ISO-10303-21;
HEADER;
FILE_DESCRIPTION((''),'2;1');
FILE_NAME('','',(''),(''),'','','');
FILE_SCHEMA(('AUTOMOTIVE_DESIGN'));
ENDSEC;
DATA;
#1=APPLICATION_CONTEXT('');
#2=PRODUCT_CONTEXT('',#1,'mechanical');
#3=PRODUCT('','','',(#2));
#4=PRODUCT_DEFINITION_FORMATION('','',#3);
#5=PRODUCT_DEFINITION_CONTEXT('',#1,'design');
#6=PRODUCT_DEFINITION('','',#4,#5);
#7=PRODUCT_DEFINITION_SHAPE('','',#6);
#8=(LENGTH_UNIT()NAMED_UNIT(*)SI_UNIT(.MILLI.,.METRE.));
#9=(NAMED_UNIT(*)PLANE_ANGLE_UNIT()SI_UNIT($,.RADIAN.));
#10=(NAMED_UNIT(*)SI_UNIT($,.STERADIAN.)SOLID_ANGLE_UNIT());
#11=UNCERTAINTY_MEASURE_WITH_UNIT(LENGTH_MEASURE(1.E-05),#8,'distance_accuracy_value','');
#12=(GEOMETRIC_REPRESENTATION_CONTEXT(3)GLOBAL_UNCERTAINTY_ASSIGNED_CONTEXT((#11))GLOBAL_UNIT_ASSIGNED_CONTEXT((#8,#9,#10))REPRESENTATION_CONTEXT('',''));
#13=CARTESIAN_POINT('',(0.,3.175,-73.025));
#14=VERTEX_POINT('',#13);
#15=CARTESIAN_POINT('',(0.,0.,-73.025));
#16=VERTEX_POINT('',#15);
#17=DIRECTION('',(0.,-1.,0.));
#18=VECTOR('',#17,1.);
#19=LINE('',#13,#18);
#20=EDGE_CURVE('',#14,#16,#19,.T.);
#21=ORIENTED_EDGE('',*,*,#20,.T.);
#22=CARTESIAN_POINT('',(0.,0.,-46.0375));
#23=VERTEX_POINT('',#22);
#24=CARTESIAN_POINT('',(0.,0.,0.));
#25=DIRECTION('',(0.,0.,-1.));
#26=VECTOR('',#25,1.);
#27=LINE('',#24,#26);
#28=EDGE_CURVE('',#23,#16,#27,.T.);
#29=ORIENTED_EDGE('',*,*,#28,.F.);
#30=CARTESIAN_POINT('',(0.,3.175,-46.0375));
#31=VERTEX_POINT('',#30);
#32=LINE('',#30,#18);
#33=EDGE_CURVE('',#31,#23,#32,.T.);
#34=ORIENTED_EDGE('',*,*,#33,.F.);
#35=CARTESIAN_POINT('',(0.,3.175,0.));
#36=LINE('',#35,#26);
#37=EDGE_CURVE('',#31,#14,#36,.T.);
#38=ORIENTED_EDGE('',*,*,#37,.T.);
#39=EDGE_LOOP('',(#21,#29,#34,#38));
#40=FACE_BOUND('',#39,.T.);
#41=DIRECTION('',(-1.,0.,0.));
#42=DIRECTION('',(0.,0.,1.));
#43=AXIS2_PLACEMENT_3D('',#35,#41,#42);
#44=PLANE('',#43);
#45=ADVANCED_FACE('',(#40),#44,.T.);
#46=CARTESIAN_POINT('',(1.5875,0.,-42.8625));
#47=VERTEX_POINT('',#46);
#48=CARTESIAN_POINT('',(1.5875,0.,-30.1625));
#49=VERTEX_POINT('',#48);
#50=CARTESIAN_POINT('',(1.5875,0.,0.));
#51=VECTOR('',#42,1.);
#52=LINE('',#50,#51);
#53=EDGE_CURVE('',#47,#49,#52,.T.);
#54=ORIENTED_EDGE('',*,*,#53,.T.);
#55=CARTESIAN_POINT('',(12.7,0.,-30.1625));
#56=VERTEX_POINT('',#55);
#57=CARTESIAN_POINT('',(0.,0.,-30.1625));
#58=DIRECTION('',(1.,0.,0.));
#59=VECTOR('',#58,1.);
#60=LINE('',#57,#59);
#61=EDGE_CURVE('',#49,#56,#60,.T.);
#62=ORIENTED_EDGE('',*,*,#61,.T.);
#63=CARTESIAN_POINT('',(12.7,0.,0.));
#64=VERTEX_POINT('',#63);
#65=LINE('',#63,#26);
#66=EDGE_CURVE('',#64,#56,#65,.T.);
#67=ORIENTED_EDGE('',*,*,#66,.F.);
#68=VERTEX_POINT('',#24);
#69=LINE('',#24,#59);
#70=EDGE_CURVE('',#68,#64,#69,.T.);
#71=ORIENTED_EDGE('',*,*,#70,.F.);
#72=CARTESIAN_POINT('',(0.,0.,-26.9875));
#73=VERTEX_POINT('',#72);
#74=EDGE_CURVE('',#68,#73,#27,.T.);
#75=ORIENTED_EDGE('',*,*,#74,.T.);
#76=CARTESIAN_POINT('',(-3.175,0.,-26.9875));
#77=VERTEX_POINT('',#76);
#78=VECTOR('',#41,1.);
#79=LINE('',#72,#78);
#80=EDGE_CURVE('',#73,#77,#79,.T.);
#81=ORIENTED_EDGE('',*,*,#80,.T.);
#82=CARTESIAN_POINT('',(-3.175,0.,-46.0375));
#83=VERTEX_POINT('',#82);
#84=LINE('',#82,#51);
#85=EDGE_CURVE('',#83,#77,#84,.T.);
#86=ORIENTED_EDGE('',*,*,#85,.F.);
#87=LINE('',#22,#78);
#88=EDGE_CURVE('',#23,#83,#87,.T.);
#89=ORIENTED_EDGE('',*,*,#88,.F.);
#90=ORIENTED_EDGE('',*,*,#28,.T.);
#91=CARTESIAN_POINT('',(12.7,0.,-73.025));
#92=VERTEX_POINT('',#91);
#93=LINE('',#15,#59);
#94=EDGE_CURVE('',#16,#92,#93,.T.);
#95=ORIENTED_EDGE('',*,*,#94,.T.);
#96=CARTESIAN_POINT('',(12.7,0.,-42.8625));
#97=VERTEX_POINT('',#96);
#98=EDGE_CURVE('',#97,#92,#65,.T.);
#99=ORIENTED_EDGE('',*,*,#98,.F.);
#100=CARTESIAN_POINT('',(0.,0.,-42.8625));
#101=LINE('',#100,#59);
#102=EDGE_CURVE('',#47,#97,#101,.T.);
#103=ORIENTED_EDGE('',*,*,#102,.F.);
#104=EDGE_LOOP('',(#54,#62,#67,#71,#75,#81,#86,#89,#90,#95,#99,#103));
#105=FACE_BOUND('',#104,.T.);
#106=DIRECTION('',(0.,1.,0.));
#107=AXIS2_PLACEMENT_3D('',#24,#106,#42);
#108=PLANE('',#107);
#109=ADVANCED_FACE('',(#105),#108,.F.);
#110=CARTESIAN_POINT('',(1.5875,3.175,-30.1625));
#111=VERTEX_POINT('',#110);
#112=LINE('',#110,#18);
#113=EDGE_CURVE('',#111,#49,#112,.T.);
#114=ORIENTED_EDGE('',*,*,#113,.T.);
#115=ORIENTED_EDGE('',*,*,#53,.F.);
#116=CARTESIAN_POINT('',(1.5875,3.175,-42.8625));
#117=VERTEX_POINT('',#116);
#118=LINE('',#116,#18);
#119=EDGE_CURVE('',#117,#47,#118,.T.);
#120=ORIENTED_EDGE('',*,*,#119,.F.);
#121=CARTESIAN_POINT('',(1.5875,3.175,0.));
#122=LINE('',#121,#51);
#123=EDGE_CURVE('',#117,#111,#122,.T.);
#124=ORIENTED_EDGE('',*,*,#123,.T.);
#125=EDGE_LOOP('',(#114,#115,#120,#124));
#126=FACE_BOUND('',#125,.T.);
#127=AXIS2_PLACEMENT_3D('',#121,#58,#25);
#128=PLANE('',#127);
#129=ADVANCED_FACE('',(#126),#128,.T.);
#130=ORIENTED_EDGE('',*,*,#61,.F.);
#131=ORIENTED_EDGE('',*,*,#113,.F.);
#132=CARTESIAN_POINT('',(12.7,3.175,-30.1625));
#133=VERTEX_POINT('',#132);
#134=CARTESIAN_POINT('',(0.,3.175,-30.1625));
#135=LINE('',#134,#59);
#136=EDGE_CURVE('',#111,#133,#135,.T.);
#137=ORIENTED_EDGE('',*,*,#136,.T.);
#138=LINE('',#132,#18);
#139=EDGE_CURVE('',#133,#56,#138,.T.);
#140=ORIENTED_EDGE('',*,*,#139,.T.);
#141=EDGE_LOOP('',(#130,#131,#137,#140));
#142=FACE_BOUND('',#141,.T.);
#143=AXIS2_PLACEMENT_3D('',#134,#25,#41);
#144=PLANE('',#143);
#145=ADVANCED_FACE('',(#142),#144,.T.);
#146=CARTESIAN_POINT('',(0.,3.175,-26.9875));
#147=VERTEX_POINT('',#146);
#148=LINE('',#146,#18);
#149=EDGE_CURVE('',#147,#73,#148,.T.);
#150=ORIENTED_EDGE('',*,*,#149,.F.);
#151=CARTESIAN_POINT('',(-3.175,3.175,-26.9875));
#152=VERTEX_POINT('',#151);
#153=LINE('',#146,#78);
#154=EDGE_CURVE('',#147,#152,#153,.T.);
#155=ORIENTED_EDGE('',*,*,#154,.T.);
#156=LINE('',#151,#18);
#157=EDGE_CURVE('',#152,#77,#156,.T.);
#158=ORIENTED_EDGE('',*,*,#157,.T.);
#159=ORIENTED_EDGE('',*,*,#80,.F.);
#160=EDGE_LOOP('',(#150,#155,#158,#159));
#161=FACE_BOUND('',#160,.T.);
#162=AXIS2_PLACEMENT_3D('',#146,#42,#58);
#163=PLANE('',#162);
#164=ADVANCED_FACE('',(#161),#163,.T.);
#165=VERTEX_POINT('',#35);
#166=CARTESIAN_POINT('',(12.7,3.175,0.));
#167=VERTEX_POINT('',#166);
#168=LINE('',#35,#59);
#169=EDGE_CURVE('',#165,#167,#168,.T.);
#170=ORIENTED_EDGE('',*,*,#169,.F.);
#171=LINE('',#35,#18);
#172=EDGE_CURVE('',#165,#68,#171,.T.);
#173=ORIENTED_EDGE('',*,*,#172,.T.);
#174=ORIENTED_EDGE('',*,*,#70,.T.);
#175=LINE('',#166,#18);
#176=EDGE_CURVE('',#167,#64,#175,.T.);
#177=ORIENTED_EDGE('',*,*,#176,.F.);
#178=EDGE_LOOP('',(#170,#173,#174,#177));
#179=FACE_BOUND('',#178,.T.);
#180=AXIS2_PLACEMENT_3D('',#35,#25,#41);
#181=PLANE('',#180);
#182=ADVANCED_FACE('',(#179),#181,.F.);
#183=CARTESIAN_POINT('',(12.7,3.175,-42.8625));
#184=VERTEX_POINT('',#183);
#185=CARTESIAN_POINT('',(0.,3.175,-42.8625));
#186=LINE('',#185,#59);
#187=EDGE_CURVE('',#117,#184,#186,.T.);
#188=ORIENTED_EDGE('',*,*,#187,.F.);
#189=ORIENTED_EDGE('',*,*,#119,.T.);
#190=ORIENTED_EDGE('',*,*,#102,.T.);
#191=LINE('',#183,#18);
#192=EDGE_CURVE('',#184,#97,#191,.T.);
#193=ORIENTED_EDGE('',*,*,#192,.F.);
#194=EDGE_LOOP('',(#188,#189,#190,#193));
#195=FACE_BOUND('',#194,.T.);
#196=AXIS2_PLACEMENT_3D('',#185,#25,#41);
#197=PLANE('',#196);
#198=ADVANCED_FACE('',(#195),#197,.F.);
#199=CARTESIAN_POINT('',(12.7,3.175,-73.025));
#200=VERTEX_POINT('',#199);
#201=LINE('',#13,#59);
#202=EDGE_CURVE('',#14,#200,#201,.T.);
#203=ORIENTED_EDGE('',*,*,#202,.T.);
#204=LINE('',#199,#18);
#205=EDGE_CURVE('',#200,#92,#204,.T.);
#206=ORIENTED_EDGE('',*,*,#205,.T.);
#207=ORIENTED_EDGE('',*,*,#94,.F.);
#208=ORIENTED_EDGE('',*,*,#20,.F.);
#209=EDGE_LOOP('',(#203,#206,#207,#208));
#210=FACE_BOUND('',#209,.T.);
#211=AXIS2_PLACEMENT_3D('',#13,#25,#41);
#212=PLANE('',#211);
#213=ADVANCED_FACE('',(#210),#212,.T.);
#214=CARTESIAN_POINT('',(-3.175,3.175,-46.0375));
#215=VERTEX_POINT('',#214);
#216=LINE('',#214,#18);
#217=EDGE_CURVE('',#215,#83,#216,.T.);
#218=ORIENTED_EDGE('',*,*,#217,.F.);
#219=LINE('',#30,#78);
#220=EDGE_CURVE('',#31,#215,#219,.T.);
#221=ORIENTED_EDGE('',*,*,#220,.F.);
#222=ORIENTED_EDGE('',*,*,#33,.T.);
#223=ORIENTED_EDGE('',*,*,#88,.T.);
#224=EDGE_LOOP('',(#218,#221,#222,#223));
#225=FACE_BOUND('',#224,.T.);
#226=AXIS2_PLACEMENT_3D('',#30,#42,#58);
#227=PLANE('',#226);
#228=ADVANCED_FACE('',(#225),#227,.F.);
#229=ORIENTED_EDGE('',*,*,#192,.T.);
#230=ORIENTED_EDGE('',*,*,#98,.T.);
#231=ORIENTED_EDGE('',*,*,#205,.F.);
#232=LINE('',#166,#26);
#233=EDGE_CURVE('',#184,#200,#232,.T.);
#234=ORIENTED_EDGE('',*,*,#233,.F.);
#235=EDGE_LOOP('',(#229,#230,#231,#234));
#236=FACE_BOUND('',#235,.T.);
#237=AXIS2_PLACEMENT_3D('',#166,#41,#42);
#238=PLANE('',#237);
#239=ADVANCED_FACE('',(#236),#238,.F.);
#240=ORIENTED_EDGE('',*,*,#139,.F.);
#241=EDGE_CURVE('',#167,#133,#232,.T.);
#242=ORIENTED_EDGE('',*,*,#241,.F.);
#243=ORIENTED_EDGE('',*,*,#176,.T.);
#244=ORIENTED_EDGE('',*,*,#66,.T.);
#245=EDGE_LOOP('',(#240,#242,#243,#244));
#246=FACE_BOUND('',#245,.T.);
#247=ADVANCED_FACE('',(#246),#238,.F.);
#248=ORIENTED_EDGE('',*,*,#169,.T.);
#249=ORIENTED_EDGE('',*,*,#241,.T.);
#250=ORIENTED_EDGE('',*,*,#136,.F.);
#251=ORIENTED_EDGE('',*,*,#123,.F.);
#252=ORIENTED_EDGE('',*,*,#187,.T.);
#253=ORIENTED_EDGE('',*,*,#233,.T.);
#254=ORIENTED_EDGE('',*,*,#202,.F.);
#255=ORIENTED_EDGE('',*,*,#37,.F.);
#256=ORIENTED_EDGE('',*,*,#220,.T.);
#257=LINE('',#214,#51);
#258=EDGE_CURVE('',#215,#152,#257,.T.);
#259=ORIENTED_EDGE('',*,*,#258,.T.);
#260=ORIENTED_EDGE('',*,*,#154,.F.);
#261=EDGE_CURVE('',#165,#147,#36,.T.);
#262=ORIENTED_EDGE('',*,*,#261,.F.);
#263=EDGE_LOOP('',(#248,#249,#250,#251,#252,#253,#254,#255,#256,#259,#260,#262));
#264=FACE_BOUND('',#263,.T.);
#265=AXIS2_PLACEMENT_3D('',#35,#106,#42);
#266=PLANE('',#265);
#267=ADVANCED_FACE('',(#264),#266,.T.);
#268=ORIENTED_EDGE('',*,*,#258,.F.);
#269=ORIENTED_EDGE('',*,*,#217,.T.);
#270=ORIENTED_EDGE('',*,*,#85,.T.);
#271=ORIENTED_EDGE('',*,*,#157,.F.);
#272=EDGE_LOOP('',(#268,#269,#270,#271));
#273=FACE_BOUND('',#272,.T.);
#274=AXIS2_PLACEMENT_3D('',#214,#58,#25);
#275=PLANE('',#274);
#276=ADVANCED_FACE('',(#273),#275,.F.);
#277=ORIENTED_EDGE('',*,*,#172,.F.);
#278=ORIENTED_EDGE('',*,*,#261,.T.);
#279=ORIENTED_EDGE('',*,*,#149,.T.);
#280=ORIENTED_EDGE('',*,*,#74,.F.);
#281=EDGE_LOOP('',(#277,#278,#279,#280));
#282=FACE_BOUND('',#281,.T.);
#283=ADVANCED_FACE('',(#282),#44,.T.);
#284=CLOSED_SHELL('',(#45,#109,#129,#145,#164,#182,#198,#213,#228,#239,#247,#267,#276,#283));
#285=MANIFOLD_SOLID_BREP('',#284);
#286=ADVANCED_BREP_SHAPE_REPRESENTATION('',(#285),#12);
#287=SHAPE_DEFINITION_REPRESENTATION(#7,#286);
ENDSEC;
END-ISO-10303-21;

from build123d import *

# Parameters (mm, degrees)
BOSS_EXTRUDE1_DEPTH = 3.175


with BuildPart() as part:
    # Sketch1 → Boss-Extrude1 (new body)
    with BuildSketch(Plane(origin=(0, 0, 0), x_dir=(1, 0, 0), z_dir=(0, 1, 0))):
        Polygon((0, 26.9875), (0, 0), (12.7, 0), (12.7, 30.1625), (1.5875, 30.1625), (1.5875, 42.8625), (12.7, 42.8625), (12.7, 73.025), (0, 73.025), (0, 46.0375), (-3.175, 46.0375), (-3.175, 26.9875), align=None)
    extrude(amount=BOSS_EXTRUDE1_DEPTH)


solid = part.part
